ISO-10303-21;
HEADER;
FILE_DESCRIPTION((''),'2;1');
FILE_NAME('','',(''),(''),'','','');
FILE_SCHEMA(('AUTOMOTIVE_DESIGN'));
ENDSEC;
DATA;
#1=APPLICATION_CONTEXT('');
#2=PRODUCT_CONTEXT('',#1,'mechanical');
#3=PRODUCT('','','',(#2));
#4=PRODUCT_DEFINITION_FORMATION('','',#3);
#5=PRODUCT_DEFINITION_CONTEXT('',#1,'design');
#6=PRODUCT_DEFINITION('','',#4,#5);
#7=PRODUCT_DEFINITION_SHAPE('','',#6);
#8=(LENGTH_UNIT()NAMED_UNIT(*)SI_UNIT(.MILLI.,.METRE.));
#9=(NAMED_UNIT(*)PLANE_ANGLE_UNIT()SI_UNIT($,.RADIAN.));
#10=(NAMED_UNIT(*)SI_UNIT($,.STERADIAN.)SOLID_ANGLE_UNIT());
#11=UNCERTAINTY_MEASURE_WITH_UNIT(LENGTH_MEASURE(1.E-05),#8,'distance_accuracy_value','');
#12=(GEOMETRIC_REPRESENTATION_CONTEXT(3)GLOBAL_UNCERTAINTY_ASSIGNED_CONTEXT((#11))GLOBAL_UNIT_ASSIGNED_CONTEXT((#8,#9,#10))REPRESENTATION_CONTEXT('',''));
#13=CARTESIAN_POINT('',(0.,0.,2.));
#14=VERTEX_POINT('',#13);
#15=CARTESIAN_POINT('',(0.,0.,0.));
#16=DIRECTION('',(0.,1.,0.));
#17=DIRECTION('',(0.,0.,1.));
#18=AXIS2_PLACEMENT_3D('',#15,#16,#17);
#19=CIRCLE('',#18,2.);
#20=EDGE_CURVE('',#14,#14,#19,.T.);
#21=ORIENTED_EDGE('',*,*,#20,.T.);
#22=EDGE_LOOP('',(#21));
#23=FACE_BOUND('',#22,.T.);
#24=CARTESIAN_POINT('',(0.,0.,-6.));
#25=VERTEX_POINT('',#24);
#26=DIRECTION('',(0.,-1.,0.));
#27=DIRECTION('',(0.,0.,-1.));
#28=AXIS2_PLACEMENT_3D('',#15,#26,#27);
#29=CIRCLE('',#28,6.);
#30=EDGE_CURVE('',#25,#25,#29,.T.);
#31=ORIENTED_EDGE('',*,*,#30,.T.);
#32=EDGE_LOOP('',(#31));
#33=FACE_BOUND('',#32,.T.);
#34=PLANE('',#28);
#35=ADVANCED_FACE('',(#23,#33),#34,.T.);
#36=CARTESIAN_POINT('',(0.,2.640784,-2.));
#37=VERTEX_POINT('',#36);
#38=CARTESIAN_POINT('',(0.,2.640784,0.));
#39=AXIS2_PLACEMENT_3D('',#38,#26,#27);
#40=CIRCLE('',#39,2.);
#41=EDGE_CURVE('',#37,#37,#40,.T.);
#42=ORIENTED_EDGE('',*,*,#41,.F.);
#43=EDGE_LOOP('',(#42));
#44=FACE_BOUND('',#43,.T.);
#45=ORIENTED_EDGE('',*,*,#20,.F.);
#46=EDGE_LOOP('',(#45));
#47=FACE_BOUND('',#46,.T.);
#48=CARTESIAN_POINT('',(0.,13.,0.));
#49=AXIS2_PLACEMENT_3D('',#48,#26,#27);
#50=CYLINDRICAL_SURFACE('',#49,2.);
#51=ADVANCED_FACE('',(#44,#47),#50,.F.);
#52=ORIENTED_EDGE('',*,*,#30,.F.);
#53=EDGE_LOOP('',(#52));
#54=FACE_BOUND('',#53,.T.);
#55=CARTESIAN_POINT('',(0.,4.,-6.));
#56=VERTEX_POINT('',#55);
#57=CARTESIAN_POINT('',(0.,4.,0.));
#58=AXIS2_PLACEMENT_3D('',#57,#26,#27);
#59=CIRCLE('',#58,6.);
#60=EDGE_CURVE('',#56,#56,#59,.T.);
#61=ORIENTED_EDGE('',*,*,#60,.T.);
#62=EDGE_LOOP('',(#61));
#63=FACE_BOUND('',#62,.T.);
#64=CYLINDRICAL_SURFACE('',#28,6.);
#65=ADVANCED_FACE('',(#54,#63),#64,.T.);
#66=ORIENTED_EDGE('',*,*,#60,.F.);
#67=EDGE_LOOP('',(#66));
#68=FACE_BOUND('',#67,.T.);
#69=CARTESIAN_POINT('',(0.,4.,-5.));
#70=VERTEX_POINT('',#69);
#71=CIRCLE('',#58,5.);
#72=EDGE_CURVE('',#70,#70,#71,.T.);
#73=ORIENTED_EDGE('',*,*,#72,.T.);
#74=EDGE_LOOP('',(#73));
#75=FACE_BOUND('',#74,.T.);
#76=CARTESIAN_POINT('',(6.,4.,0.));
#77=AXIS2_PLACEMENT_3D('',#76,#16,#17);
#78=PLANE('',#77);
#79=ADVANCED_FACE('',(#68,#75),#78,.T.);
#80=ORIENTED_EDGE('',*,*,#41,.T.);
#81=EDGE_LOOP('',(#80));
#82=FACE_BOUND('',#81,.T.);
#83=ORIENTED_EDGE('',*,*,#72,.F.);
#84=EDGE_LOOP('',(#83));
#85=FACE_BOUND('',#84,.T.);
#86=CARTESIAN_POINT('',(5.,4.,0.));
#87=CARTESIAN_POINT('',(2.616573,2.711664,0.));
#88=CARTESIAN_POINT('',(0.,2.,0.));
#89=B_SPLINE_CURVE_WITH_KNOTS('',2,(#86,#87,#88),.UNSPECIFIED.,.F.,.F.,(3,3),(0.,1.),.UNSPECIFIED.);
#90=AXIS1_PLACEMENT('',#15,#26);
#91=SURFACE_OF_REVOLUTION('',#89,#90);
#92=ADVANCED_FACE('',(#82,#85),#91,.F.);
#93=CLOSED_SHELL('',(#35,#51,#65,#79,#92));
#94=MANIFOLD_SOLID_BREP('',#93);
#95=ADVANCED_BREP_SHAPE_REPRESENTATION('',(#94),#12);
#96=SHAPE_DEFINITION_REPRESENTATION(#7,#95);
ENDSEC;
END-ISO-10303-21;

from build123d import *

# Parameters (mm, degrees)
SKETCH5_R          = 2
CUT_EXTRUDE4_DEPTH = 13


with BuildPart() as part:
    # Sketch4 → Revolve1 (revolve)
    with BuildSketch(Plane.XY, mode=Mode.PRIVATE) as revolve1_sk:
        with BuildLine():
            Line((0, 0), (6, 0))
            Line((6, 0), (6, 4))
            Line((6, 4), (5, 4))
            add(Edge.make_bspline(
                [(0, 2), (2.616573152, 2.711664356), (5, 4)],
                knots=[0, 0, 0, 1, 1, 1], degree=2))
            Line((0, 2), (0, 0))
        make_face()
    revolve(revolve1_sk.sketch.rotate(Axis((0, 0, 0), (0, 1, 0)), 90), axis=Axis((0, 0, 0), (0, 1, 0)))

    # Sketch5 → Cut-Extrude4 (cut)
    with BuildSketch(Plane(origin=(0, 0, 0), x_dir=(1, 0, 0), z_dir=(0, 1, 0))):
        with Locations(Location((0, 0, 0), (0, 0, 90))):
            Circle(SKETCH5_R)
    extrude(amount=CUT_EXTRUDE4_DEPTH, mode=Mode.SUBTRACT)


solid = part.part
